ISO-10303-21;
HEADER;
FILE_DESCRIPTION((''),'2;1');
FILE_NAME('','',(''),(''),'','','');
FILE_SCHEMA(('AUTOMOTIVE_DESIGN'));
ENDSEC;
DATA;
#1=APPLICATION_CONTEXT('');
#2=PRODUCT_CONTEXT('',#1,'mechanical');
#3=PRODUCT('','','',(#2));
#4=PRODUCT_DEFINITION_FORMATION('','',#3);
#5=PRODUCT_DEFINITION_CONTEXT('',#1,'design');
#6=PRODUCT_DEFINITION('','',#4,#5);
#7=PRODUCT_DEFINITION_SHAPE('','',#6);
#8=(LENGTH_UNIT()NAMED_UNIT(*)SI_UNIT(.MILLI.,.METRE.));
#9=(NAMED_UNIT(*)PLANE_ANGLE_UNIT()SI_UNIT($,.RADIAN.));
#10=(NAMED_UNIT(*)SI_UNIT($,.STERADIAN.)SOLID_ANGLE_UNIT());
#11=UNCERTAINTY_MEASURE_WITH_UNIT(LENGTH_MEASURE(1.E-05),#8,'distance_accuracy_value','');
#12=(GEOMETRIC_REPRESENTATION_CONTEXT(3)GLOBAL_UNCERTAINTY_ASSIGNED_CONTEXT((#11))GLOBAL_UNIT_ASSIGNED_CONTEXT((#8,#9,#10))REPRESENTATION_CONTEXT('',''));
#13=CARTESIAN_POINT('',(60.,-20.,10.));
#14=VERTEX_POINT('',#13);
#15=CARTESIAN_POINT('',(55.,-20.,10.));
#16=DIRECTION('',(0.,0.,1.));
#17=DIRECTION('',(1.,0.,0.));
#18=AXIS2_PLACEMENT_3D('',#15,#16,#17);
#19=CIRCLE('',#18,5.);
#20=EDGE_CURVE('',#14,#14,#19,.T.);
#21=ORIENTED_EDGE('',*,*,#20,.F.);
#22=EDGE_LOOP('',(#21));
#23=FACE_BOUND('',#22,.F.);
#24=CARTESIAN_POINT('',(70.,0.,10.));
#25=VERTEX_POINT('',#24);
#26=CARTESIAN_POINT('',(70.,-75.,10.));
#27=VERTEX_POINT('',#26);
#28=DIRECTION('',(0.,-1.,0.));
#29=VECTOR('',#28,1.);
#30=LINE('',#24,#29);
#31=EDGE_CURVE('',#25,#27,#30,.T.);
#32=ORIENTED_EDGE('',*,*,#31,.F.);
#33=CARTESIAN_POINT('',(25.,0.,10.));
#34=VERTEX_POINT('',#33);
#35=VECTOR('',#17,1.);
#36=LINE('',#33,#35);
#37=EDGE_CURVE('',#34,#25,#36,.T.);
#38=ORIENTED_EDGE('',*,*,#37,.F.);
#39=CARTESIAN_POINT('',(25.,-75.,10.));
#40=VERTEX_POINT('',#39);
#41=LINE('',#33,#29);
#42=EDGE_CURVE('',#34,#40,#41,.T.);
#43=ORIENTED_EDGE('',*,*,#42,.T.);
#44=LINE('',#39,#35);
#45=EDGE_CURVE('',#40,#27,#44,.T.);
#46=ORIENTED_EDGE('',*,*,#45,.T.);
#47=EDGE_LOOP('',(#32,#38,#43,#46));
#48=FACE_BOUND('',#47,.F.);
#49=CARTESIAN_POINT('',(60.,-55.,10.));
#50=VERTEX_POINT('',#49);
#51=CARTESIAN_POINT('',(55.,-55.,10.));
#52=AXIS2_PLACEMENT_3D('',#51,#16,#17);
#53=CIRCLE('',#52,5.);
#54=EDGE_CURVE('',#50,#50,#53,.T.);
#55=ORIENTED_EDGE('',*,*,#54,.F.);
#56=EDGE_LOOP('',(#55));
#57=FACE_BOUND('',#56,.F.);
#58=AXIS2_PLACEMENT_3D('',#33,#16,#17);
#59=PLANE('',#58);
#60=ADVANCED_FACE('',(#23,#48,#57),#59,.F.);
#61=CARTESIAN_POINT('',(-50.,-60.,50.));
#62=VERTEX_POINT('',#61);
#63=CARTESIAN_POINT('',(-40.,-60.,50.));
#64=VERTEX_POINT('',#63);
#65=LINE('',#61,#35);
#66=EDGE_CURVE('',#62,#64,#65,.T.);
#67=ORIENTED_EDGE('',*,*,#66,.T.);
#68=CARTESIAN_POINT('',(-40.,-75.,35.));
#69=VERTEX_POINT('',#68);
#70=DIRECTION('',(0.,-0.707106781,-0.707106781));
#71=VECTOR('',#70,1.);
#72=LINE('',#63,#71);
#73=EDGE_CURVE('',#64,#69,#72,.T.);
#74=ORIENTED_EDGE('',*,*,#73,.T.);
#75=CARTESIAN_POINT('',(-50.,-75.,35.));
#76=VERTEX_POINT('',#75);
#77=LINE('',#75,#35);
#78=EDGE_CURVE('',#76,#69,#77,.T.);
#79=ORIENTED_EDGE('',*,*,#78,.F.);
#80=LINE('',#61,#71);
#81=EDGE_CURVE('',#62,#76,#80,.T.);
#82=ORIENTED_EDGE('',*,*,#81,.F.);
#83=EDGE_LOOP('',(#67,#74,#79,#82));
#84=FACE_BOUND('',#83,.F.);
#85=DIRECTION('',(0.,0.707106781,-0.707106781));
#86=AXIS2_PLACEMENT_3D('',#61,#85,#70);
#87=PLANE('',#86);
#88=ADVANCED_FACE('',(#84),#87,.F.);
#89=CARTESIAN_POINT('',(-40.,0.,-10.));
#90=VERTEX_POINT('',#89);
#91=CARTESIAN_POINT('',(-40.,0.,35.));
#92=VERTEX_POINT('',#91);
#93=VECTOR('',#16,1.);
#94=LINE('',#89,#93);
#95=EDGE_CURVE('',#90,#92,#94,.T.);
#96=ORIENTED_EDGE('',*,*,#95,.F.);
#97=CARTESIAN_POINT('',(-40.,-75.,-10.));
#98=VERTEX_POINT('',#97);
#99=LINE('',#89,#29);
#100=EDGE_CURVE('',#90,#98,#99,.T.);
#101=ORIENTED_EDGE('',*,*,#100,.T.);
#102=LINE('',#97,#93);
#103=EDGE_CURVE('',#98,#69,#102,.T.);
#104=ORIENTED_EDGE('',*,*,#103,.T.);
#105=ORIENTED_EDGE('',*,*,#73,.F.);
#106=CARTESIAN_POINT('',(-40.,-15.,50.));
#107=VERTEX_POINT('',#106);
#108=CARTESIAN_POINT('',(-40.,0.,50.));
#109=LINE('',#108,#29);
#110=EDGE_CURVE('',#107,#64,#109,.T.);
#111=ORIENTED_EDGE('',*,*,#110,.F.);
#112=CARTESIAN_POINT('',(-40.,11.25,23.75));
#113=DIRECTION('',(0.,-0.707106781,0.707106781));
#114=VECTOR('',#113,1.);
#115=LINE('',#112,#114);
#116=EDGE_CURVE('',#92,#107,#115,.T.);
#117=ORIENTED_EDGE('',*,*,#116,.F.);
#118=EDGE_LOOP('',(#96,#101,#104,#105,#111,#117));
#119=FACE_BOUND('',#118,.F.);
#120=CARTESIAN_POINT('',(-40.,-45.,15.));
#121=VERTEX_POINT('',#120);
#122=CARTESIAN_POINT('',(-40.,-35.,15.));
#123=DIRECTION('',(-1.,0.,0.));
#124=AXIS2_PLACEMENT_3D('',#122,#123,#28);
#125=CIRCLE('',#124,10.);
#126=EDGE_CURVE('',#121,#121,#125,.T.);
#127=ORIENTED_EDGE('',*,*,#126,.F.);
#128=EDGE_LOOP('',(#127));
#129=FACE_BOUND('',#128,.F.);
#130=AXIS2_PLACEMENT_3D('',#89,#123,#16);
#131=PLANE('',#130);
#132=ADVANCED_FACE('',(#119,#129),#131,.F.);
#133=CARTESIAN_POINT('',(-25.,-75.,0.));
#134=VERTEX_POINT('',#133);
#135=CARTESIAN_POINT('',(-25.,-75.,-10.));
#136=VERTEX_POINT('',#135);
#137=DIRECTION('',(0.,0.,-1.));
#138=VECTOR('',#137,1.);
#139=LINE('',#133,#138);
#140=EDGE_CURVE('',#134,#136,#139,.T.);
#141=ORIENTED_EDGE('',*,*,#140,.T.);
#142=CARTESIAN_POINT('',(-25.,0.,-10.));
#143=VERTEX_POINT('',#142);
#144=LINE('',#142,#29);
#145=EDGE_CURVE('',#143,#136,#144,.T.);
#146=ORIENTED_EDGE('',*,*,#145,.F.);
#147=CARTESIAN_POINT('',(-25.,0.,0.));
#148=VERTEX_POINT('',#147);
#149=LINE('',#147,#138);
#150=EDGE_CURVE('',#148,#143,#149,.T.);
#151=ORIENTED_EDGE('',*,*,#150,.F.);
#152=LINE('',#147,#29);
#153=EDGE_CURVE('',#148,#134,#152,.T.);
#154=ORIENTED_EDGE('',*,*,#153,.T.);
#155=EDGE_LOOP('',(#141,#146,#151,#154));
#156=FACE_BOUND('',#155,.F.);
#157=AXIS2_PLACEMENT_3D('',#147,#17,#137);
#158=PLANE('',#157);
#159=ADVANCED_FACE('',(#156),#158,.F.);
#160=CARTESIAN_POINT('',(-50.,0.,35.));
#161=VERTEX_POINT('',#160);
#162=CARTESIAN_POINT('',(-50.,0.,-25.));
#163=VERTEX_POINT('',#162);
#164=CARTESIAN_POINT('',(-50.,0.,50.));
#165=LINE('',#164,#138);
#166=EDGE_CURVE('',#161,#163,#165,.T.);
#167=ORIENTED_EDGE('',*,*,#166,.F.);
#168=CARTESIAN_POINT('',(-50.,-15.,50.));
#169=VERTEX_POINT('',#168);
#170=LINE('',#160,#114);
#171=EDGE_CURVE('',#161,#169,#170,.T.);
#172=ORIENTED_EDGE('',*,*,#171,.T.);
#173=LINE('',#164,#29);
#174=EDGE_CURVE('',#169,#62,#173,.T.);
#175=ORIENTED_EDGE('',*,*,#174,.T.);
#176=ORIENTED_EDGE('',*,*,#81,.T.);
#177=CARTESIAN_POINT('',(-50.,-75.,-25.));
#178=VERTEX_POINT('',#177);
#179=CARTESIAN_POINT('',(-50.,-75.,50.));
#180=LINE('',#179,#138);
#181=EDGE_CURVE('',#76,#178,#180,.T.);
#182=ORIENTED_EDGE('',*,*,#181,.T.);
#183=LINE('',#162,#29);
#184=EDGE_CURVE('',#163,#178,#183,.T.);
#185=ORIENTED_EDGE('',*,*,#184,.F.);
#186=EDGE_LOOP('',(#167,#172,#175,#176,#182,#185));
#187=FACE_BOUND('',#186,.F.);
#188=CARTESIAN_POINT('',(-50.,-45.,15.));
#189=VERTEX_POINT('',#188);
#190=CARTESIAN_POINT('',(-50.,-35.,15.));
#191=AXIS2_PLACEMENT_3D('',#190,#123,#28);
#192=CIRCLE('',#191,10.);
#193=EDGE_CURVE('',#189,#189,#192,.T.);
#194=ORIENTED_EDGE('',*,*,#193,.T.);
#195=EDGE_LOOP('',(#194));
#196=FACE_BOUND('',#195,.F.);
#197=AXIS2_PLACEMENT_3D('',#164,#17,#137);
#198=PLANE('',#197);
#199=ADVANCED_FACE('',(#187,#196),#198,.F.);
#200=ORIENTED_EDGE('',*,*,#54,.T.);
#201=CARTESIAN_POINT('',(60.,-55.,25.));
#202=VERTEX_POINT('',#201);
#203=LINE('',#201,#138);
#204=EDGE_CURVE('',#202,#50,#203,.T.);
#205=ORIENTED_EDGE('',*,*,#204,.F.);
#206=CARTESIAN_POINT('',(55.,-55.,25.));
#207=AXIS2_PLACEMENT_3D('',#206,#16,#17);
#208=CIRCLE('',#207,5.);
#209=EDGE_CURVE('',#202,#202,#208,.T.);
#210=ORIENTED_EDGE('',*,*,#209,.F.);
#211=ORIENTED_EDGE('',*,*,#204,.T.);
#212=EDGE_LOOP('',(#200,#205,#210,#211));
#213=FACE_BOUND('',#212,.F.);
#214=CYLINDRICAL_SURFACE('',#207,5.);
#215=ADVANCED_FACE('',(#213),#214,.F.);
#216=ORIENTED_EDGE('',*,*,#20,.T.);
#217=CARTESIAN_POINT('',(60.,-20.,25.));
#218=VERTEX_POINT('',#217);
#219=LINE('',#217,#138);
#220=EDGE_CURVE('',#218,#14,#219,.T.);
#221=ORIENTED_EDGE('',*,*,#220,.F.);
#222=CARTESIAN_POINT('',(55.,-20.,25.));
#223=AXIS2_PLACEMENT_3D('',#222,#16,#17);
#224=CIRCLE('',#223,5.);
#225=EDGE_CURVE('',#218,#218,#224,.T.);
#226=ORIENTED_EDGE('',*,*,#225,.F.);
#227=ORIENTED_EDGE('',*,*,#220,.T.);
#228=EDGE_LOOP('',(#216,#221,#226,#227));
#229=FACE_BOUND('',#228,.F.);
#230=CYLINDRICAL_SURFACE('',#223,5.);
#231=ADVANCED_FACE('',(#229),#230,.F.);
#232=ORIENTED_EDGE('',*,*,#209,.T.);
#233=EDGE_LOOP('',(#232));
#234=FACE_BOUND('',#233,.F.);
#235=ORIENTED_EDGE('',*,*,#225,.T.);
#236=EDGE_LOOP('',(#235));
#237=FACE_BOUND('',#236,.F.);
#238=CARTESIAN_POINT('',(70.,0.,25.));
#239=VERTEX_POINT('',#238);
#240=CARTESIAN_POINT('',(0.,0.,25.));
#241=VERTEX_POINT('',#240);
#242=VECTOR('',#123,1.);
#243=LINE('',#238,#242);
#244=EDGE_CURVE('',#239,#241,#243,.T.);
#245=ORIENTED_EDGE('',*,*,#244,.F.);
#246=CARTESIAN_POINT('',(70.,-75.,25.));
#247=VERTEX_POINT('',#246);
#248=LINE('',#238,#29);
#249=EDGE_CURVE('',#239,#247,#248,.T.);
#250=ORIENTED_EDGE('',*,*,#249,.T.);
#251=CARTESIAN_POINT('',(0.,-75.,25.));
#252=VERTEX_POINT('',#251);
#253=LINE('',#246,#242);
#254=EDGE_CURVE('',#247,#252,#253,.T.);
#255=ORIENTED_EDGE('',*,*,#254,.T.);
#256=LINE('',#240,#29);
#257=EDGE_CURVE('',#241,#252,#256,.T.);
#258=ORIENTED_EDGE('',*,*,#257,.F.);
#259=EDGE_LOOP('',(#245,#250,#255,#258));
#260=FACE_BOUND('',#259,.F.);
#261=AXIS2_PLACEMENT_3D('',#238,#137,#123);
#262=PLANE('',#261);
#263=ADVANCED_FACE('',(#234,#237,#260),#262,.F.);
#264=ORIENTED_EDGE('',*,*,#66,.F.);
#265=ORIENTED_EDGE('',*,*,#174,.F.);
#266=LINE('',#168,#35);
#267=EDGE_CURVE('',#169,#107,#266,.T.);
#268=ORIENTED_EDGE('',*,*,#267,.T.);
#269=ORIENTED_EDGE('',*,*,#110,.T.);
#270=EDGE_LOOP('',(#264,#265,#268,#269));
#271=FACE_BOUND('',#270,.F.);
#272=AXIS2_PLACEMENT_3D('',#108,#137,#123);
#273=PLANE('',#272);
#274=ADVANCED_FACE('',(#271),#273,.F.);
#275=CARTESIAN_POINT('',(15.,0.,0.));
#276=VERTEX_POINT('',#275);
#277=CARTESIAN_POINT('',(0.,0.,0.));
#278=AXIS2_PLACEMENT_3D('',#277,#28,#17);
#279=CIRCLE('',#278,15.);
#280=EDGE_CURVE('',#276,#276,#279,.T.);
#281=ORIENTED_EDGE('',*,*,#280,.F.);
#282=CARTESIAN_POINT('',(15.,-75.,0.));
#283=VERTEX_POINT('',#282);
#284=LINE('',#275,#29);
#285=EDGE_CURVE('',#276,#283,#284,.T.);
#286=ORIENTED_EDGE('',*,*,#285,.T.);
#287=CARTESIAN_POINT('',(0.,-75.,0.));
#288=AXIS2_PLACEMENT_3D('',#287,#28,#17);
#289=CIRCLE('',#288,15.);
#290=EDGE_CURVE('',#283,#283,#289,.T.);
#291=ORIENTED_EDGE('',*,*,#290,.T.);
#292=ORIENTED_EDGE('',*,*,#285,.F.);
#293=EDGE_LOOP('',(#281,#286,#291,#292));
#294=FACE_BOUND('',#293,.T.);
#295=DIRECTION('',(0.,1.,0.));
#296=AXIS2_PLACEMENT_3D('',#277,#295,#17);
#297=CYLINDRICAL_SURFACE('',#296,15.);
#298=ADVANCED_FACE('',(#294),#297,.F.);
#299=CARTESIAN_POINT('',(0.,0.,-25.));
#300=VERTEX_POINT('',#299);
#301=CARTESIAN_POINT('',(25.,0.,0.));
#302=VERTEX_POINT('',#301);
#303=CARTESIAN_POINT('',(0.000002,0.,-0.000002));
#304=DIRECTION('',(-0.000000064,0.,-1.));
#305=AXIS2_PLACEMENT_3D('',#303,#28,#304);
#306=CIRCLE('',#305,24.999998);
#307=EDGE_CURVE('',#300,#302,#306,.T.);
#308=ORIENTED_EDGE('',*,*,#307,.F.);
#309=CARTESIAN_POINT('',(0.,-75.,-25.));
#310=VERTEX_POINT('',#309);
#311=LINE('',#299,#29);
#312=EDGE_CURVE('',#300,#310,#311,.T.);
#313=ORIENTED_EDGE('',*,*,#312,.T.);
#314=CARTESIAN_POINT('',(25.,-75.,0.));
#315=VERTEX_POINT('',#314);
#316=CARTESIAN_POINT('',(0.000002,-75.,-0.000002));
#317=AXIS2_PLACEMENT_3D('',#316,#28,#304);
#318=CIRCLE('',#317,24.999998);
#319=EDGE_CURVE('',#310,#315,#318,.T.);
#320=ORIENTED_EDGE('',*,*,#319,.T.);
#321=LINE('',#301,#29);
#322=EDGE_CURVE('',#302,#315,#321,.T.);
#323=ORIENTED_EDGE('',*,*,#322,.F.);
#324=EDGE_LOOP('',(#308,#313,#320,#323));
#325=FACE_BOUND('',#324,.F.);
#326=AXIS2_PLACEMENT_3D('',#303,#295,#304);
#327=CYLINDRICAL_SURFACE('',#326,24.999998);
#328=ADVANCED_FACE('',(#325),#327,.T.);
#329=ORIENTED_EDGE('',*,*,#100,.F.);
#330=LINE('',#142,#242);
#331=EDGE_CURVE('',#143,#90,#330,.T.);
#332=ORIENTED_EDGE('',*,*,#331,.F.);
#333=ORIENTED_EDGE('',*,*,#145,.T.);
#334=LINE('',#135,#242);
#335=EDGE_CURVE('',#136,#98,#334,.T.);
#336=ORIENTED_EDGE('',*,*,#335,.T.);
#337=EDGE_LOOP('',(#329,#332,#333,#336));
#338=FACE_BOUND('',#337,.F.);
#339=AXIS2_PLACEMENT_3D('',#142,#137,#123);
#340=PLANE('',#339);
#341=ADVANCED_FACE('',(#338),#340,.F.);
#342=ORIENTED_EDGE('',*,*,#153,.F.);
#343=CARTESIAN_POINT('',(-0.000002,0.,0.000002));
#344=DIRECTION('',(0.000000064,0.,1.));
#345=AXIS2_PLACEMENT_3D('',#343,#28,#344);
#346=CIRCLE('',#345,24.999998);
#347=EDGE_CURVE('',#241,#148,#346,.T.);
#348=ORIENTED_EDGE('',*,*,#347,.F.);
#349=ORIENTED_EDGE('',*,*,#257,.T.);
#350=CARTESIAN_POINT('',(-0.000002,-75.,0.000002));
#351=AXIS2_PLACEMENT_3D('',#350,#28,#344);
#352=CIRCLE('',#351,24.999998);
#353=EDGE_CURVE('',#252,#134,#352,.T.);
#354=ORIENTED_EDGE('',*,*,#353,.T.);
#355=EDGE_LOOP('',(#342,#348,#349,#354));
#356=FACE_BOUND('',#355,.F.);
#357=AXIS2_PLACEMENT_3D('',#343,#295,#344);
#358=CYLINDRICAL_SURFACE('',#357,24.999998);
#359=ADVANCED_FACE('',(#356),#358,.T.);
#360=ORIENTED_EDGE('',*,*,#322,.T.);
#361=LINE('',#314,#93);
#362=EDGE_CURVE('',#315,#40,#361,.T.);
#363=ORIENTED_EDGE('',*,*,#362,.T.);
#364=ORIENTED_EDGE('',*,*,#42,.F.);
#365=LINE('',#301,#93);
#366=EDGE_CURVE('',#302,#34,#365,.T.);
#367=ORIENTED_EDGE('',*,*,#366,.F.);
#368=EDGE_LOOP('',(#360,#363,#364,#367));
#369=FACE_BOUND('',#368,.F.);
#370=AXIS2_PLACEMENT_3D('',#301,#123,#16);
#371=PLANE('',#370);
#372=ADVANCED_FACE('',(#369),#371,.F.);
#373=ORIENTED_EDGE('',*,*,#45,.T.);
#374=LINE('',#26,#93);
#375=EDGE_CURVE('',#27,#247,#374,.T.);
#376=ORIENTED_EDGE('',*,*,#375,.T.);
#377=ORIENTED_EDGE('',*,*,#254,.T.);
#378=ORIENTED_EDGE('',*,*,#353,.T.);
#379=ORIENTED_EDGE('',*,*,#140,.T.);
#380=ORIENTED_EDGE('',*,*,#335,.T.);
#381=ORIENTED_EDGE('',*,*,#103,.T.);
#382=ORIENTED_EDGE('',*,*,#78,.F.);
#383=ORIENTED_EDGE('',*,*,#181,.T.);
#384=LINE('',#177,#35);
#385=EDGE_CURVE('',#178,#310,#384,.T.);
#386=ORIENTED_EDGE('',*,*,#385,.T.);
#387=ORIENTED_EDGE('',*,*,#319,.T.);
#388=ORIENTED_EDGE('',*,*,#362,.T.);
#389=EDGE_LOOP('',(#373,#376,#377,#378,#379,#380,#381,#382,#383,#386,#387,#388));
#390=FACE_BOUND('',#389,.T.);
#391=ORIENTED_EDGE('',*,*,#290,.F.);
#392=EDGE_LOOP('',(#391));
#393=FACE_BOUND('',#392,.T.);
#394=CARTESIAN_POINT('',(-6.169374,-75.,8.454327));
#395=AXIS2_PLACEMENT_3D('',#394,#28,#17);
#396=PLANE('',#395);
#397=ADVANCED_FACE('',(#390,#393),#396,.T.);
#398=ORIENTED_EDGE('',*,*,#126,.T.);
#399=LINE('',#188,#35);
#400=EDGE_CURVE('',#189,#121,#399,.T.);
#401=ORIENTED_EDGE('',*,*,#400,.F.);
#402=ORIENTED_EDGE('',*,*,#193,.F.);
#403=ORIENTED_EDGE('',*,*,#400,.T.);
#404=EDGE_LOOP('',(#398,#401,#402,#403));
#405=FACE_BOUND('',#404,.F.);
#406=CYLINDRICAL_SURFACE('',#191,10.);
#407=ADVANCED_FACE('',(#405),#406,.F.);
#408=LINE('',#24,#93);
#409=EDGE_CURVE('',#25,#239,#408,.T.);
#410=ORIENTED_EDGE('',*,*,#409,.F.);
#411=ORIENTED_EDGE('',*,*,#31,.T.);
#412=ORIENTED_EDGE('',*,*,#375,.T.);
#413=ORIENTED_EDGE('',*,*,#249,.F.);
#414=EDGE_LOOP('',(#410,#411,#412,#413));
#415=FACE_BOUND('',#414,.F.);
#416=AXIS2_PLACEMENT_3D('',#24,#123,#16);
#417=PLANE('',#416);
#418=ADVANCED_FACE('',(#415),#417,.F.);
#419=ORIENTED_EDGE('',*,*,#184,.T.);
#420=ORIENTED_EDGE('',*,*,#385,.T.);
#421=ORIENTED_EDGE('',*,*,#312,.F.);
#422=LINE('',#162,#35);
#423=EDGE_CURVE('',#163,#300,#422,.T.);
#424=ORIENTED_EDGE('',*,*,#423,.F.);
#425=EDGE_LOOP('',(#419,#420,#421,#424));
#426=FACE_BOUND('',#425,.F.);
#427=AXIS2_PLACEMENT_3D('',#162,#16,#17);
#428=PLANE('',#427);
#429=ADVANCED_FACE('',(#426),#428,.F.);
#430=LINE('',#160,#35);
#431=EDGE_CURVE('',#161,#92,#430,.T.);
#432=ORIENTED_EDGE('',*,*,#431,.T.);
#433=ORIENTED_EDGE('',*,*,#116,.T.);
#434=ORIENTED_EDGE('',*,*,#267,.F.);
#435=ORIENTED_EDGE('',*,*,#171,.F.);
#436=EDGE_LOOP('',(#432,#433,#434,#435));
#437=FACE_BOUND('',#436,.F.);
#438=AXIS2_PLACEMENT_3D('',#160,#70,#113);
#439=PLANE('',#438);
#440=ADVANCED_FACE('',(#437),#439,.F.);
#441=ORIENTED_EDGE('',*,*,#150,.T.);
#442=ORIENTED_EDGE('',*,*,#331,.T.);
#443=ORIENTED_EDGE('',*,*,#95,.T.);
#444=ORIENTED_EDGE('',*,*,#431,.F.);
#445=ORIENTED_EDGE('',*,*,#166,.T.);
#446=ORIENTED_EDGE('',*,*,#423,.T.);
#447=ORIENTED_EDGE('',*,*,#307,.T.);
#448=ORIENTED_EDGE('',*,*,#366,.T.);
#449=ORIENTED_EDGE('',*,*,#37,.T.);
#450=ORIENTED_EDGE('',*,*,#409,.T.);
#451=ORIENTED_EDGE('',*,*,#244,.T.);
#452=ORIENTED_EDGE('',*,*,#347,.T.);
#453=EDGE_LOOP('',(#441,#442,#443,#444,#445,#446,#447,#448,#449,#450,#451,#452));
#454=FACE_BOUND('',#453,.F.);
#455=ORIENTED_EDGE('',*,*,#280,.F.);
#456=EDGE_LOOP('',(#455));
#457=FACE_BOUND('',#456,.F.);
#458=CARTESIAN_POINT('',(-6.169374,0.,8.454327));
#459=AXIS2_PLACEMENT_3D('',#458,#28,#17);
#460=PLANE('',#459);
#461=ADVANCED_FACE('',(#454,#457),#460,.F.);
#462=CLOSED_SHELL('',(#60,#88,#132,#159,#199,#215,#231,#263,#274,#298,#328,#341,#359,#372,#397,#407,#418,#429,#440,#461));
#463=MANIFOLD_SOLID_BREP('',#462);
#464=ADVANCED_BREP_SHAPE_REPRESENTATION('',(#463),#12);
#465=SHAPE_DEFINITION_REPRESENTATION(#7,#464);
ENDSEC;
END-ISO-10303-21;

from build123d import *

# Parameters (mm, degrees)
F0_R     = 15
F1_DEPTH = 75
F2_R     = 10
F3_DEPTH = 18
F4_R     = 5
F5_DEPTH = 25


with BuildPart() as f1:
    # F0 (on Front) → F1 (new body)
    with BuildSketch(Plane.XZ):
        with BuildLine():
            Line((-50, -25), (0, -25))
            ThreePointArc((0, -25), (17.67767, -17.67767), (25, 0))
            Line((25, 0), (25, 10))
            Line((25, 10), (70, 10))
            Line((70, 10), (70, 25))
            Line((70, 25), (0, 25))
            ThreePointArc((0, 25), (-17.67767, 17.67767), (-25, 0))
            Line((-25, 0), (-25, -10))
            Line((-25, -10), (-40, -10))
            Line((-40, -10), (-40, 50))
            Line((-40, 50), (-50, 50))
            Line((-50, 50), (-50, -25))
        make_face()
        Circle(F0_R, mode=Mode.SUBTRACT)
    extrude(amount=F1_DEPTH)

    # F2 (on face) → F3 (cut)
    with BuildSketch(Plane(origin=(-50, 0, 0), x_dir=(0, -1, 0), z_dir=(-1, 0, 0))):
        with Locations((35, 15)):
            Circle(F2_R)
        Polygon((75, 50), (60, 50), (75, 35), align=None)
        Polygon((0, 50), (0, 35), (15, 50), align=None)
    extrude(amount=-F3_DEPTH, mode=Mode.SUBTRACT)

    # F4 (on face) → F5 (cut)
    with BuildSketch(Plane.XY.offset(25)):
        with Locations((55, -20)):
            Circle(F4_R)
        with Locations((55, -55)):
            Circle(F4_R)
    extrude(amount=-F5_DEPTH, mode=Mode.SUBTRACT)


solid = f1.part
